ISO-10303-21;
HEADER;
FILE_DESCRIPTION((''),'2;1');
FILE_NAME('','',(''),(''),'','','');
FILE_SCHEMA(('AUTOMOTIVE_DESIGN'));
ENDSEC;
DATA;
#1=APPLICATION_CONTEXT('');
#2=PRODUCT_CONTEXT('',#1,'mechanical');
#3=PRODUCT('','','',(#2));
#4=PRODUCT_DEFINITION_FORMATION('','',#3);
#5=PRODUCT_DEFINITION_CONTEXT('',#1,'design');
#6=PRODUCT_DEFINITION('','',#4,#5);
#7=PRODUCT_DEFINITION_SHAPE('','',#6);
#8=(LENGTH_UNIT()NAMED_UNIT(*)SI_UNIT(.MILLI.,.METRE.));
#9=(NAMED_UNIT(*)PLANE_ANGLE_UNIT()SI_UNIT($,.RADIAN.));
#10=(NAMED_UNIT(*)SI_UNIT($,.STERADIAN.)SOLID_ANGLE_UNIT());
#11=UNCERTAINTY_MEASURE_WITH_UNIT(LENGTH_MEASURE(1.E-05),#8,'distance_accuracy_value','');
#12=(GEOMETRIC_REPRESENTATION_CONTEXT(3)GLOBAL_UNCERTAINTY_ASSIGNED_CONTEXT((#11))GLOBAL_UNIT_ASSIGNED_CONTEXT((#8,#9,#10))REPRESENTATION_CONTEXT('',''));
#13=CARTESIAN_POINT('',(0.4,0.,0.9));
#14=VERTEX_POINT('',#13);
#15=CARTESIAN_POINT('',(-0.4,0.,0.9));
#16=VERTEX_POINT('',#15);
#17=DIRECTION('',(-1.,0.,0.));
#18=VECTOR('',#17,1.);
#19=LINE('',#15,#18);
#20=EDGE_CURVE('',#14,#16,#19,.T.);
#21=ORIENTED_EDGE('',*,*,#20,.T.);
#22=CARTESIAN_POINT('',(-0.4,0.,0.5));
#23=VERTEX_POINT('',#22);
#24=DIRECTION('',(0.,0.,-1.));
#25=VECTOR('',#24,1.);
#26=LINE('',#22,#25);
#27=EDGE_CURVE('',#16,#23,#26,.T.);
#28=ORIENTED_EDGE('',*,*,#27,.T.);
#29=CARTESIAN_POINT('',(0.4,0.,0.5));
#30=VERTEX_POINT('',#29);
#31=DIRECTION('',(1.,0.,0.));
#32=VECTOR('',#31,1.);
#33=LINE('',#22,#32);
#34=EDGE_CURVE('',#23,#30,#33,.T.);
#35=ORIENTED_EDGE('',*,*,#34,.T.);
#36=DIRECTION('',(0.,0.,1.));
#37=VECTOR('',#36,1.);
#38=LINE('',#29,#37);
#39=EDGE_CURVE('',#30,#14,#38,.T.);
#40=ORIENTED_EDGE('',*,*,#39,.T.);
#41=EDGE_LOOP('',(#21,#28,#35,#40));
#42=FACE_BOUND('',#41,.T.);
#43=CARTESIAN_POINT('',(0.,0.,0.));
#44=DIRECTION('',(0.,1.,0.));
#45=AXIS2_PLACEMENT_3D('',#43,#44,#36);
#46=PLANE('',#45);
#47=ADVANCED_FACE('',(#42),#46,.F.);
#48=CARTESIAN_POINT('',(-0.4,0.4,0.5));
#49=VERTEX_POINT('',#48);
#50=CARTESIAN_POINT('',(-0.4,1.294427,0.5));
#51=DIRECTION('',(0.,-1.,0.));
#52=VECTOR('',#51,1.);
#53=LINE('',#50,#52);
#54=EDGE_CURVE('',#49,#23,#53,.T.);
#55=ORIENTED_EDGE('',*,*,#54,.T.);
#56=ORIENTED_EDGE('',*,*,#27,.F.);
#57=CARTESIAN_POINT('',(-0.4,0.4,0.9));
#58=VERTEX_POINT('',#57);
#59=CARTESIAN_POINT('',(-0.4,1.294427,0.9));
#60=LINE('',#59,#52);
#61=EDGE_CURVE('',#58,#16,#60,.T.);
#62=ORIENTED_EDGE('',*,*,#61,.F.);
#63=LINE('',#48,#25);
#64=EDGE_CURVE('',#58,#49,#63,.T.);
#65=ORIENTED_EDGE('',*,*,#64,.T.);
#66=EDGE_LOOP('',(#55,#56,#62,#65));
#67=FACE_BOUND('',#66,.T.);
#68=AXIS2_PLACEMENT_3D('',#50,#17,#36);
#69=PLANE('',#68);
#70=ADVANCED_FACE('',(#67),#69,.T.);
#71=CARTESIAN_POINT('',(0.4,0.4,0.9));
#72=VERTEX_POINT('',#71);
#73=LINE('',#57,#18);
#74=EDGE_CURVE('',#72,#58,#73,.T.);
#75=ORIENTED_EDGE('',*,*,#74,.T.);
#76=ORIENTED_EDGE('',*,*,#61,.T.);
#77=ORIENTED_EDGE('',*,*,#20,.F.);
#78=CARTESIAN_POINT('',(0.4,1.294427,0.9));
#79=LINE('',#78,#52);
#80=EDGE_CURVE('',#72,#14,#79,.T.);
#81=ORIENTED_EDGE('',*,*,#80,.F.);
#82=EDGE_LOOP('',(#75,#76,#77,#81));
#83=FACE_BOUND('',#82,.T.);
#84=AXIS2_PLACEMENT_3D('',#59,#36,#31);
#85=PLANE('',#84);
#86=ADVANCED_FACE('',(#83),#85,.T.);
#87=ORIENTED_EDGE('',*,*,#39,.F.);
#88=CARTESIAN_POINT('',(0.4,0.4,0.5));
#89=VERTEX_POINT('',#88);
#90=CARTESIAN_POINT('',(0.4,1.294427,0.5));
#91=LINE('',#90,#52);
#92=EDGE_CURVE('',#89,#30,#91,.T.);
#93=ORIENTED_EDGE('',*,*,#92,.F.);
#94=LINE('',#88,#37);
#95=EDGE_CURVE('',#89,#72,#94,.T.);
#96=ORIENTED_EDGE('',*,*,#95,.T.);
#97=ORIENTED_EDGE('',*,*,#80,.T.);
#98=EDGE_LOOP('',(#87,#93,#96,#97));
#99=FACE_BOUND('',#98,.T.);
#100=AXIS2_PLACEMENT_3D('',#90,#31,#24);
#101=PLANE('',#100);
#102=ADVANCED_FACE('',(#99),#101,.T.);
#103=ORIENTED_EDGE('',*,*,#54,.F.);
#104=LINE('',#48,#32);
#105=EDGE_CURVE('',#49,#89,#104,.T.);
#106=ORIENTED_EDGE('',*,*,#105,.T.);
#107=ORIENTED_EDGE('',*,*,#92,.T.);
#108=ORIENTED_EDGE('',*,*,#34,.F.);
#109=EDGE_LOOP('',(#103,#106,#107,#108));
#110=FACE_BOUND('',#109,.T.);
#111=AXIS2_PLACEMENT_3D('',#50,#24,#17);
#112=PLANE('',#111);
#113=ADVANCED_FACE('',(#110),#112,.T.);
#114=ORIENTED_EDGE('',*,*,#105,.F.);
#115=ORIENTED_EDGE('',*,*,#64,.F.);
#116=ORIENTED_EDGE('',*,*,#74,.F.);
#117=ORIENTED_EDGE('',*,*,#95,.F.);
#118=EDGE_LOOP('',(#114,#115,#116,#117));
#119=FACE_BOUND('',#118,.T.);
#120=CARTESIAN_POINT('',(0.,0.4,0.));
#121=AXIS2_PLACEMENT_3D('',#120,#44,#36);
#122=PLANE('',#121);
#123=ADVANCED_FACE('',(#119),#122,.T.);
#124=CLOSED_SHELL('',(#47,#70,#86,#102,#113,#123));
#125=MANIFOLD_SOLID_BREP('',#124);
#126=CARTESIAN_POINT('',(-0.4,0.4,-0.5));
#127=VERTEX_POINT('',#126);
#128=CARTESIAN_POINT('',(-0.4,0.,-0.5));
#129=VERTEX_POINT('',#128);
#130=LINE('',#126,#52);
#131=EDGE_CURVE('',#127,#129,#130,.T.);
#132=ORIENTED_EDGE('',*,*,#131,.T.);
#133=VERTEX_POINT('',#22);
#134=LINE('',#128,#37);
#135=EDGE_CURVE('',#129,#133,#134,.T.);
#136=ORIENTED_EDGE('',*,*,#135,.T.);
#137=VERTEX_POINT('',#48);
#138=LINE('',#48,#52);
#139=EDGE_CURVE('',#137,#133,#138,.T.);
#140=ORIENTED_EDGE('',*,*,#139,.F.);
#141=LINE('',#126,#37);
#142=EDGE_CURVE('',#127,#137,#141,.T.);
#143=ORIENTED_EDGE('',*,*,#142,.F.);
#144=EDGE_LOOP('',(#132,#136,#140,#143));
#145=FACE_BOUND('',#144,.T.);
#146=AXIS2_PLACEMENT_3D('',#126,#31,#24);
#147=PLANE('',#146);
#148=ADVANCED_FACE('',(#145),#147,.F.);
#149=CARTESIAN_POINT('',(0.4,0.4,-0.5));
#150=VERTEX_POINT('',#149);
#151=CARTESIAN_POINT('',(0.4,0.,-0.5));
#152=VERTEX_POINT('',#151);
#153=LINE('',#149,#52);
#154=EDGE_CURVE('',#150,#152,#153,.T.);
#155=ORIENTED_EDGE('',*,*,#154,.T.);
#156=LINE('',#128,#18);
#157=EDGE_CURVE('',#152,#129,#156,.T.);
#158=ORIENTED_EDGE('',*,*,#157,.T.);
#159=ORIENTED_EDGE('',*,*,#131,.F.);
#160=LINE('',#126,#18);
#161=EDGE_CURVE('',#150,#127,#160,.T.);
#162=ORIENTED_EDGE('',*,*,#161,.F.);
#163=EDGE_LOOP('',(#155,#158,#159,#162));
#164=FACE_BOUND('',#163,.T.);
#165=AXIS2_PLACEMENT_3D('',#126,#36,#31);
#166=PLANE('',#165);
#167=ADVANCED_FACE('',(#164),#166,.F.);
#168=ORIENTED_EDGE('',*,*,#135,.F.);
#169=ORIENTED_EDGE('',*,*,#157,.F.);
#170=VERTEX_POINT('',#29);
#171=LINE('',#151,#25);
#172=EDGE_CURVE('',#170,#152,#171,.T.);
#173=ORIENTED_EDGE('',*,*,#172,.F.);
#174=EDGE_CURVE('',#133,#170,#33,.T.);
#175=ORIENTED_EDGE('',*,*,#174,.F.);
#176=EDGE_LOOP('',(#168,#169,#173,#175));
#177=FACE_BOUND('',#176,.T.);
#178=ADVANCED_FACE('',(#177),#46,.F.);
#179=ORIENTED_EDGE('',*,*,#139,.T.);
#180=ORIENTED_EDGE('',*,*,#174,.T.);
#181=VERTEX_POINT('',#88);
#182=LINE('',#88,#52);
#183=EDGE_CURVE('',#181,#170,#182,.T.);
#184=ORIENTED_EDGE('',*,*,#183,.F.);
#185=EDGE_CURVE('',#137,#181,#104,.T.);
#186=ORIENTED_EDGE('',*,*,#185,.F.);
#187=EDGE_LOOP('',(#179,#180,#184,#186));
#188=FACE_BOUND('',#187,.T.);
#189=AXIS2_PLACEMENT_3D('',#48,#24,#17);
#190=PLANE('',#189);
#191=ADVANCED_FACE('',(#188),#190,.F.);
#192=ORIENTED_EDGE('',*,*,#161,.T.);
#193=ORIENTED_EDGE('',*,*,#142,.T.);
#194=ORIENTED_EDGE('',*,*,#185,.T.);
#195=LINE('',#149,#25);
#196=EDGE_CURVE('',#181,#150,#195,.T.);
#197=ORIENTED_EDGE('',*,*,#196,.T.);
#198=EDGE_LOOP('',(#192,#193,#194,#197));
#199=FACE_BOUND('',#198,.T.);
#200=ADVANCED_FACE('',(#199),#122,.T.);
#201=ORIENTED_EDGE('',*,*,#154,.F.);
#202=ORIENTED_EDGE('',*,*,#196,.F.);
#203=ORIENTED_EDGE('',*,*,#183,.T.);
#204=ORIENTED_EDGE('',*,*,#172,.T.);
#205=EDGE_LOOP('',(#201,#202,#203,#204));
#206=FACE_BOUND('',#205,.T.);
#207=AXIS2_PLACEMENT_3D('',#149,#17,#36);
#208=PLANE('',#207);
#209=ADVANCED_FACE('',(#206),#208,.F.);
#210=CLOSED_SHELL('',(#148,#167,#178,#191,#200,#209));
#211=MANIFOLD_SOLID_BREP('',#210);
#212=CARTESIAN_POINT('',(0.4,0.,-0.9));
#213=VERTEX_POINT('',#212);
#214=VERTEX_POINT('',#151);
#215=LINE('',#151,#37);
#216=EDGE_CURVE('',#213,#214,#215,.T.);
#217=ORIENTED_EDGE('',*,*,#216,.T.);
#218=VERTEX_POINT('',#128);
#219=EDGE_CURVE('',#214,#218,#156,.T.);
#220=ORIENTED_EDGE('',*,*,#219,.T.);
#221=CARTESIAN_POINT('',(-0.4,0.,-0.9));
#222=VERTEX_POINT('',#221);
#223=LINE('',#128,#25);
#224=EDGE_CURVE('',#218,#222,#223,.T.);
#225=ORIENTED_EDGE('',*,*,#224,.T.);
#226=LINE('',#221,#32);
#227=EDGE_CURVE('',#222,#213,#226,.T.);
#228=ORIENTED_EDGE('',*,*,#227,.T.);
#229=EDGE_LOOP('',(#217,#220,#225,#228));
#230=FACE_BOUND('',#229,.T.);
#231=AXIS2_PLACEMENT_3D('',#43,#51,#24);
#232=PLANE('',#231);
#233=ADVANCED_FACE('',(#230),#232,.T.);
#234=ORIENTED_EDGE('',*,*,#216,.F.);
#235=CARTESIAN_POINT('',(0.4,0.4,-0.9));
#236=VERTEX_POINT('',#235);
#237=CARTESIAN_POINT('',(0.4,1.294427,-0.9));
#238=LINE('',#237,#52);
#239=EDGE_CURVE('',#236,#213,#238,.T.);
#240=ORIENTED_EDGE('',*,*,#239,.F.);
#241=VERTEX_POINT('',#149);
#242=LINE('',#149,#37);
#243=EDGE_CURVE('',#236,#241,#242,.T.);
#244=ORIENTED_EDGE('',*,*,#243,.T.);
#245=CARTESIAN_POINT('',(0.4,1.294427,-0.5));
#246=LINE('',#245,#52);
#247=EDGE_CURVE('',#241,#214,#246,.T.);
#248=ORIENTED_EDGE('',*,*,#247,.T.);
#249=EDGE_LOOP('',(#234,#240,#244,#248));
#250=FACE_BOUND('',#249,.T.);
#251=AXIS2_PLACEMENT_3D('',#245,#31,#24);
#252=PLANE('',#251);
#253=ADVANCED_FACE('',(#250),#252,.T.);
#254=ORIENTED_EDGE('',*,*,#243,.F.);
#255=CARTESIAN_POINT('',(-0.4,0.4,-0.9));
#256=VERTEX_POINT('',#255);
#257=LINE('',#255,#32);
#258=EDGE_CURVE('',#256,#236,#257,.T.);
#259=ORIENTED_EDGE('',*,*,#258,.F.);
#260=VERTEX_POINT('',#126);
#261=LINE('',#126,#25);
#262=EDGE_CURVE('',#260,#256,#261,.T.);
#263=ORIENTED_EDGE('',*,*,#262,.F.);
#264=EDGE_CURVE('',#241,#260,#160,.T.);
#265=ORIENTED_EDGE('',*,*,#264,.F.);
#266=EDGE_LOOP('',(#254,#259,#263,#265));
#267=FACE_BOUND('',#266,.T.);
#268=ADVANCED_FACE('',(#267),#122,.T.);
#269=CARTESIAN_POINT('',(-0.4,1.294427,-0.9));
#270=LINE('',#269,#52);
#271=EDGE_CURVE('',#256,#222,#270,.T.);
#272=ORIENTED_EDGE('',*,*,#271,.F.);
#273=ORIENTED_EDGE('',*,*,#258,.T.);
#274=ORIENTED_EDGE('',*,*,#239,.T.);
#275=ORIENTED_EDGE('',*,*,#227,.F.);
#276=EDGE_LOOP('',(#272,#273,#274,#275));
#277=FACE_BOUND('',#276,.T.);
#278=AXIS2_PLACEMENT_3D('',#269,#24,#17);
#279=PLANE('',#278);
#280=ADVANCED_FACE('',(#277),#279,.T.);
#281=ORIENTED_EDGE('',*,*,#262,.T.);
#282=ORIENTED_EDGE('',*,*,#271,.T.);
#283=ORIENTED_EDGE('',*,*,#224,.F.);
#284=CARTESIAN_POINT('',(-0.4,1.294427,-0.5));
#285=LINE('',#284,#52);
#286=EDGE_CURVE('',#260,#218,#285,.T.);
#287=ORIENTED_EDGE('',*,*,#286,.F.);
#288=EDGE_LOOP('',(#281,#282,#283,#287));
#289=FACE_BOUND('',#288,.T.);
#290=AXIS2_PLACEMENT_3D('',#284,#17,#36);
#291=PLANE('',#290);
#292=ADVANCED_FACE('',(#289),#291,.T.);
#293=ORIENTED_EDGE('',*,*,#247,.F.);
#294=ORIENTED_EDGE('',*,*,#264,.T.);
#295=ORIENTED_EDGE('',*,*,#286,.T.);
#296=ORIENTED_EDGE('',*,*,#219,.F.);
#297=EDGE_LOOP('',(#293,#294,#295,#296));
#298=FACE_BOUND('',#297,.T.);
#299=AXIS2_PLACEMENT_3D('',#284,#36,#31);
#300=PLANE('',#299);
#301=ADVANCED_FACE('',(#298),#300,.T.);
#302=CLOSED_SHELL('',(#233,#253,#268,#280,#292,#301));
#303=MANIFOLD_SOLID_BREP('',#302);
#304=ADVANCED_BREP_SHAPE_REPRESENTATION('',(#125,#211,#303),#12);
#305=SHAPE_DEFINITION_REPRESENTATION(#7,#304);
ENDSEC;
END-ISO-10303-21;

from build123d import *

# Parameters (mm, degrees)
MAINBODYS_W         = 0.8
MAINBODYS_H         = 1
MAINBODY_DEPTH      = 0.4
LEFTBODYS_W         = 0.8
LEFTBODYS_H         = 0.4
BOSS_EXTRUDE1_DEPTH = 0.4
RIGHTBODYS_W        = 0.8
RIGHTBODYS_H        = 0.4
BOSS_EXTRUDE2_DEPTH = 0.4


with BuildPart() as part:
    # MainBodyS → MainBody (new body)
    with BuildSketch(Plane(origin=(0, 0, 0), x_dir=(1, 0, 0), z_dir=(0, 1, 0))):
        Rectangle(MAINBODYS_W, MAINBODYS_H)
    extrude(amount=MAINBODY_DEPTH)


with BuildPart() as body_2:
    # LeftBodyS → Boss-Extrude1 (new body)
    with BuildSketch(Plane(origin=(0, 0, 0), x_dir=(-1, 0, 0), z_dir=(0, -1, 0))):
        with Locations((0, -0.7)):
            Rectangle(LEFTBODYS_W, LEFTBODYS_H)
    extrude(amount=-BOSS_EXTRUDE1_DEPTH)


with BuildPart() as body_3:
    # RightBodyS → Boss-Extrude2 (new body)
    with BuildSketch(Plane.XZ):
        with Locations((0, -0.7)):
            Rectangle(RIGHTBODYS_W, RIGHTBODYS_H)
    extrude(amount=-BOSS_EXTRUDE2_DEPTH)


solid = Compound([part.part, body_2.part, body_3.part])
